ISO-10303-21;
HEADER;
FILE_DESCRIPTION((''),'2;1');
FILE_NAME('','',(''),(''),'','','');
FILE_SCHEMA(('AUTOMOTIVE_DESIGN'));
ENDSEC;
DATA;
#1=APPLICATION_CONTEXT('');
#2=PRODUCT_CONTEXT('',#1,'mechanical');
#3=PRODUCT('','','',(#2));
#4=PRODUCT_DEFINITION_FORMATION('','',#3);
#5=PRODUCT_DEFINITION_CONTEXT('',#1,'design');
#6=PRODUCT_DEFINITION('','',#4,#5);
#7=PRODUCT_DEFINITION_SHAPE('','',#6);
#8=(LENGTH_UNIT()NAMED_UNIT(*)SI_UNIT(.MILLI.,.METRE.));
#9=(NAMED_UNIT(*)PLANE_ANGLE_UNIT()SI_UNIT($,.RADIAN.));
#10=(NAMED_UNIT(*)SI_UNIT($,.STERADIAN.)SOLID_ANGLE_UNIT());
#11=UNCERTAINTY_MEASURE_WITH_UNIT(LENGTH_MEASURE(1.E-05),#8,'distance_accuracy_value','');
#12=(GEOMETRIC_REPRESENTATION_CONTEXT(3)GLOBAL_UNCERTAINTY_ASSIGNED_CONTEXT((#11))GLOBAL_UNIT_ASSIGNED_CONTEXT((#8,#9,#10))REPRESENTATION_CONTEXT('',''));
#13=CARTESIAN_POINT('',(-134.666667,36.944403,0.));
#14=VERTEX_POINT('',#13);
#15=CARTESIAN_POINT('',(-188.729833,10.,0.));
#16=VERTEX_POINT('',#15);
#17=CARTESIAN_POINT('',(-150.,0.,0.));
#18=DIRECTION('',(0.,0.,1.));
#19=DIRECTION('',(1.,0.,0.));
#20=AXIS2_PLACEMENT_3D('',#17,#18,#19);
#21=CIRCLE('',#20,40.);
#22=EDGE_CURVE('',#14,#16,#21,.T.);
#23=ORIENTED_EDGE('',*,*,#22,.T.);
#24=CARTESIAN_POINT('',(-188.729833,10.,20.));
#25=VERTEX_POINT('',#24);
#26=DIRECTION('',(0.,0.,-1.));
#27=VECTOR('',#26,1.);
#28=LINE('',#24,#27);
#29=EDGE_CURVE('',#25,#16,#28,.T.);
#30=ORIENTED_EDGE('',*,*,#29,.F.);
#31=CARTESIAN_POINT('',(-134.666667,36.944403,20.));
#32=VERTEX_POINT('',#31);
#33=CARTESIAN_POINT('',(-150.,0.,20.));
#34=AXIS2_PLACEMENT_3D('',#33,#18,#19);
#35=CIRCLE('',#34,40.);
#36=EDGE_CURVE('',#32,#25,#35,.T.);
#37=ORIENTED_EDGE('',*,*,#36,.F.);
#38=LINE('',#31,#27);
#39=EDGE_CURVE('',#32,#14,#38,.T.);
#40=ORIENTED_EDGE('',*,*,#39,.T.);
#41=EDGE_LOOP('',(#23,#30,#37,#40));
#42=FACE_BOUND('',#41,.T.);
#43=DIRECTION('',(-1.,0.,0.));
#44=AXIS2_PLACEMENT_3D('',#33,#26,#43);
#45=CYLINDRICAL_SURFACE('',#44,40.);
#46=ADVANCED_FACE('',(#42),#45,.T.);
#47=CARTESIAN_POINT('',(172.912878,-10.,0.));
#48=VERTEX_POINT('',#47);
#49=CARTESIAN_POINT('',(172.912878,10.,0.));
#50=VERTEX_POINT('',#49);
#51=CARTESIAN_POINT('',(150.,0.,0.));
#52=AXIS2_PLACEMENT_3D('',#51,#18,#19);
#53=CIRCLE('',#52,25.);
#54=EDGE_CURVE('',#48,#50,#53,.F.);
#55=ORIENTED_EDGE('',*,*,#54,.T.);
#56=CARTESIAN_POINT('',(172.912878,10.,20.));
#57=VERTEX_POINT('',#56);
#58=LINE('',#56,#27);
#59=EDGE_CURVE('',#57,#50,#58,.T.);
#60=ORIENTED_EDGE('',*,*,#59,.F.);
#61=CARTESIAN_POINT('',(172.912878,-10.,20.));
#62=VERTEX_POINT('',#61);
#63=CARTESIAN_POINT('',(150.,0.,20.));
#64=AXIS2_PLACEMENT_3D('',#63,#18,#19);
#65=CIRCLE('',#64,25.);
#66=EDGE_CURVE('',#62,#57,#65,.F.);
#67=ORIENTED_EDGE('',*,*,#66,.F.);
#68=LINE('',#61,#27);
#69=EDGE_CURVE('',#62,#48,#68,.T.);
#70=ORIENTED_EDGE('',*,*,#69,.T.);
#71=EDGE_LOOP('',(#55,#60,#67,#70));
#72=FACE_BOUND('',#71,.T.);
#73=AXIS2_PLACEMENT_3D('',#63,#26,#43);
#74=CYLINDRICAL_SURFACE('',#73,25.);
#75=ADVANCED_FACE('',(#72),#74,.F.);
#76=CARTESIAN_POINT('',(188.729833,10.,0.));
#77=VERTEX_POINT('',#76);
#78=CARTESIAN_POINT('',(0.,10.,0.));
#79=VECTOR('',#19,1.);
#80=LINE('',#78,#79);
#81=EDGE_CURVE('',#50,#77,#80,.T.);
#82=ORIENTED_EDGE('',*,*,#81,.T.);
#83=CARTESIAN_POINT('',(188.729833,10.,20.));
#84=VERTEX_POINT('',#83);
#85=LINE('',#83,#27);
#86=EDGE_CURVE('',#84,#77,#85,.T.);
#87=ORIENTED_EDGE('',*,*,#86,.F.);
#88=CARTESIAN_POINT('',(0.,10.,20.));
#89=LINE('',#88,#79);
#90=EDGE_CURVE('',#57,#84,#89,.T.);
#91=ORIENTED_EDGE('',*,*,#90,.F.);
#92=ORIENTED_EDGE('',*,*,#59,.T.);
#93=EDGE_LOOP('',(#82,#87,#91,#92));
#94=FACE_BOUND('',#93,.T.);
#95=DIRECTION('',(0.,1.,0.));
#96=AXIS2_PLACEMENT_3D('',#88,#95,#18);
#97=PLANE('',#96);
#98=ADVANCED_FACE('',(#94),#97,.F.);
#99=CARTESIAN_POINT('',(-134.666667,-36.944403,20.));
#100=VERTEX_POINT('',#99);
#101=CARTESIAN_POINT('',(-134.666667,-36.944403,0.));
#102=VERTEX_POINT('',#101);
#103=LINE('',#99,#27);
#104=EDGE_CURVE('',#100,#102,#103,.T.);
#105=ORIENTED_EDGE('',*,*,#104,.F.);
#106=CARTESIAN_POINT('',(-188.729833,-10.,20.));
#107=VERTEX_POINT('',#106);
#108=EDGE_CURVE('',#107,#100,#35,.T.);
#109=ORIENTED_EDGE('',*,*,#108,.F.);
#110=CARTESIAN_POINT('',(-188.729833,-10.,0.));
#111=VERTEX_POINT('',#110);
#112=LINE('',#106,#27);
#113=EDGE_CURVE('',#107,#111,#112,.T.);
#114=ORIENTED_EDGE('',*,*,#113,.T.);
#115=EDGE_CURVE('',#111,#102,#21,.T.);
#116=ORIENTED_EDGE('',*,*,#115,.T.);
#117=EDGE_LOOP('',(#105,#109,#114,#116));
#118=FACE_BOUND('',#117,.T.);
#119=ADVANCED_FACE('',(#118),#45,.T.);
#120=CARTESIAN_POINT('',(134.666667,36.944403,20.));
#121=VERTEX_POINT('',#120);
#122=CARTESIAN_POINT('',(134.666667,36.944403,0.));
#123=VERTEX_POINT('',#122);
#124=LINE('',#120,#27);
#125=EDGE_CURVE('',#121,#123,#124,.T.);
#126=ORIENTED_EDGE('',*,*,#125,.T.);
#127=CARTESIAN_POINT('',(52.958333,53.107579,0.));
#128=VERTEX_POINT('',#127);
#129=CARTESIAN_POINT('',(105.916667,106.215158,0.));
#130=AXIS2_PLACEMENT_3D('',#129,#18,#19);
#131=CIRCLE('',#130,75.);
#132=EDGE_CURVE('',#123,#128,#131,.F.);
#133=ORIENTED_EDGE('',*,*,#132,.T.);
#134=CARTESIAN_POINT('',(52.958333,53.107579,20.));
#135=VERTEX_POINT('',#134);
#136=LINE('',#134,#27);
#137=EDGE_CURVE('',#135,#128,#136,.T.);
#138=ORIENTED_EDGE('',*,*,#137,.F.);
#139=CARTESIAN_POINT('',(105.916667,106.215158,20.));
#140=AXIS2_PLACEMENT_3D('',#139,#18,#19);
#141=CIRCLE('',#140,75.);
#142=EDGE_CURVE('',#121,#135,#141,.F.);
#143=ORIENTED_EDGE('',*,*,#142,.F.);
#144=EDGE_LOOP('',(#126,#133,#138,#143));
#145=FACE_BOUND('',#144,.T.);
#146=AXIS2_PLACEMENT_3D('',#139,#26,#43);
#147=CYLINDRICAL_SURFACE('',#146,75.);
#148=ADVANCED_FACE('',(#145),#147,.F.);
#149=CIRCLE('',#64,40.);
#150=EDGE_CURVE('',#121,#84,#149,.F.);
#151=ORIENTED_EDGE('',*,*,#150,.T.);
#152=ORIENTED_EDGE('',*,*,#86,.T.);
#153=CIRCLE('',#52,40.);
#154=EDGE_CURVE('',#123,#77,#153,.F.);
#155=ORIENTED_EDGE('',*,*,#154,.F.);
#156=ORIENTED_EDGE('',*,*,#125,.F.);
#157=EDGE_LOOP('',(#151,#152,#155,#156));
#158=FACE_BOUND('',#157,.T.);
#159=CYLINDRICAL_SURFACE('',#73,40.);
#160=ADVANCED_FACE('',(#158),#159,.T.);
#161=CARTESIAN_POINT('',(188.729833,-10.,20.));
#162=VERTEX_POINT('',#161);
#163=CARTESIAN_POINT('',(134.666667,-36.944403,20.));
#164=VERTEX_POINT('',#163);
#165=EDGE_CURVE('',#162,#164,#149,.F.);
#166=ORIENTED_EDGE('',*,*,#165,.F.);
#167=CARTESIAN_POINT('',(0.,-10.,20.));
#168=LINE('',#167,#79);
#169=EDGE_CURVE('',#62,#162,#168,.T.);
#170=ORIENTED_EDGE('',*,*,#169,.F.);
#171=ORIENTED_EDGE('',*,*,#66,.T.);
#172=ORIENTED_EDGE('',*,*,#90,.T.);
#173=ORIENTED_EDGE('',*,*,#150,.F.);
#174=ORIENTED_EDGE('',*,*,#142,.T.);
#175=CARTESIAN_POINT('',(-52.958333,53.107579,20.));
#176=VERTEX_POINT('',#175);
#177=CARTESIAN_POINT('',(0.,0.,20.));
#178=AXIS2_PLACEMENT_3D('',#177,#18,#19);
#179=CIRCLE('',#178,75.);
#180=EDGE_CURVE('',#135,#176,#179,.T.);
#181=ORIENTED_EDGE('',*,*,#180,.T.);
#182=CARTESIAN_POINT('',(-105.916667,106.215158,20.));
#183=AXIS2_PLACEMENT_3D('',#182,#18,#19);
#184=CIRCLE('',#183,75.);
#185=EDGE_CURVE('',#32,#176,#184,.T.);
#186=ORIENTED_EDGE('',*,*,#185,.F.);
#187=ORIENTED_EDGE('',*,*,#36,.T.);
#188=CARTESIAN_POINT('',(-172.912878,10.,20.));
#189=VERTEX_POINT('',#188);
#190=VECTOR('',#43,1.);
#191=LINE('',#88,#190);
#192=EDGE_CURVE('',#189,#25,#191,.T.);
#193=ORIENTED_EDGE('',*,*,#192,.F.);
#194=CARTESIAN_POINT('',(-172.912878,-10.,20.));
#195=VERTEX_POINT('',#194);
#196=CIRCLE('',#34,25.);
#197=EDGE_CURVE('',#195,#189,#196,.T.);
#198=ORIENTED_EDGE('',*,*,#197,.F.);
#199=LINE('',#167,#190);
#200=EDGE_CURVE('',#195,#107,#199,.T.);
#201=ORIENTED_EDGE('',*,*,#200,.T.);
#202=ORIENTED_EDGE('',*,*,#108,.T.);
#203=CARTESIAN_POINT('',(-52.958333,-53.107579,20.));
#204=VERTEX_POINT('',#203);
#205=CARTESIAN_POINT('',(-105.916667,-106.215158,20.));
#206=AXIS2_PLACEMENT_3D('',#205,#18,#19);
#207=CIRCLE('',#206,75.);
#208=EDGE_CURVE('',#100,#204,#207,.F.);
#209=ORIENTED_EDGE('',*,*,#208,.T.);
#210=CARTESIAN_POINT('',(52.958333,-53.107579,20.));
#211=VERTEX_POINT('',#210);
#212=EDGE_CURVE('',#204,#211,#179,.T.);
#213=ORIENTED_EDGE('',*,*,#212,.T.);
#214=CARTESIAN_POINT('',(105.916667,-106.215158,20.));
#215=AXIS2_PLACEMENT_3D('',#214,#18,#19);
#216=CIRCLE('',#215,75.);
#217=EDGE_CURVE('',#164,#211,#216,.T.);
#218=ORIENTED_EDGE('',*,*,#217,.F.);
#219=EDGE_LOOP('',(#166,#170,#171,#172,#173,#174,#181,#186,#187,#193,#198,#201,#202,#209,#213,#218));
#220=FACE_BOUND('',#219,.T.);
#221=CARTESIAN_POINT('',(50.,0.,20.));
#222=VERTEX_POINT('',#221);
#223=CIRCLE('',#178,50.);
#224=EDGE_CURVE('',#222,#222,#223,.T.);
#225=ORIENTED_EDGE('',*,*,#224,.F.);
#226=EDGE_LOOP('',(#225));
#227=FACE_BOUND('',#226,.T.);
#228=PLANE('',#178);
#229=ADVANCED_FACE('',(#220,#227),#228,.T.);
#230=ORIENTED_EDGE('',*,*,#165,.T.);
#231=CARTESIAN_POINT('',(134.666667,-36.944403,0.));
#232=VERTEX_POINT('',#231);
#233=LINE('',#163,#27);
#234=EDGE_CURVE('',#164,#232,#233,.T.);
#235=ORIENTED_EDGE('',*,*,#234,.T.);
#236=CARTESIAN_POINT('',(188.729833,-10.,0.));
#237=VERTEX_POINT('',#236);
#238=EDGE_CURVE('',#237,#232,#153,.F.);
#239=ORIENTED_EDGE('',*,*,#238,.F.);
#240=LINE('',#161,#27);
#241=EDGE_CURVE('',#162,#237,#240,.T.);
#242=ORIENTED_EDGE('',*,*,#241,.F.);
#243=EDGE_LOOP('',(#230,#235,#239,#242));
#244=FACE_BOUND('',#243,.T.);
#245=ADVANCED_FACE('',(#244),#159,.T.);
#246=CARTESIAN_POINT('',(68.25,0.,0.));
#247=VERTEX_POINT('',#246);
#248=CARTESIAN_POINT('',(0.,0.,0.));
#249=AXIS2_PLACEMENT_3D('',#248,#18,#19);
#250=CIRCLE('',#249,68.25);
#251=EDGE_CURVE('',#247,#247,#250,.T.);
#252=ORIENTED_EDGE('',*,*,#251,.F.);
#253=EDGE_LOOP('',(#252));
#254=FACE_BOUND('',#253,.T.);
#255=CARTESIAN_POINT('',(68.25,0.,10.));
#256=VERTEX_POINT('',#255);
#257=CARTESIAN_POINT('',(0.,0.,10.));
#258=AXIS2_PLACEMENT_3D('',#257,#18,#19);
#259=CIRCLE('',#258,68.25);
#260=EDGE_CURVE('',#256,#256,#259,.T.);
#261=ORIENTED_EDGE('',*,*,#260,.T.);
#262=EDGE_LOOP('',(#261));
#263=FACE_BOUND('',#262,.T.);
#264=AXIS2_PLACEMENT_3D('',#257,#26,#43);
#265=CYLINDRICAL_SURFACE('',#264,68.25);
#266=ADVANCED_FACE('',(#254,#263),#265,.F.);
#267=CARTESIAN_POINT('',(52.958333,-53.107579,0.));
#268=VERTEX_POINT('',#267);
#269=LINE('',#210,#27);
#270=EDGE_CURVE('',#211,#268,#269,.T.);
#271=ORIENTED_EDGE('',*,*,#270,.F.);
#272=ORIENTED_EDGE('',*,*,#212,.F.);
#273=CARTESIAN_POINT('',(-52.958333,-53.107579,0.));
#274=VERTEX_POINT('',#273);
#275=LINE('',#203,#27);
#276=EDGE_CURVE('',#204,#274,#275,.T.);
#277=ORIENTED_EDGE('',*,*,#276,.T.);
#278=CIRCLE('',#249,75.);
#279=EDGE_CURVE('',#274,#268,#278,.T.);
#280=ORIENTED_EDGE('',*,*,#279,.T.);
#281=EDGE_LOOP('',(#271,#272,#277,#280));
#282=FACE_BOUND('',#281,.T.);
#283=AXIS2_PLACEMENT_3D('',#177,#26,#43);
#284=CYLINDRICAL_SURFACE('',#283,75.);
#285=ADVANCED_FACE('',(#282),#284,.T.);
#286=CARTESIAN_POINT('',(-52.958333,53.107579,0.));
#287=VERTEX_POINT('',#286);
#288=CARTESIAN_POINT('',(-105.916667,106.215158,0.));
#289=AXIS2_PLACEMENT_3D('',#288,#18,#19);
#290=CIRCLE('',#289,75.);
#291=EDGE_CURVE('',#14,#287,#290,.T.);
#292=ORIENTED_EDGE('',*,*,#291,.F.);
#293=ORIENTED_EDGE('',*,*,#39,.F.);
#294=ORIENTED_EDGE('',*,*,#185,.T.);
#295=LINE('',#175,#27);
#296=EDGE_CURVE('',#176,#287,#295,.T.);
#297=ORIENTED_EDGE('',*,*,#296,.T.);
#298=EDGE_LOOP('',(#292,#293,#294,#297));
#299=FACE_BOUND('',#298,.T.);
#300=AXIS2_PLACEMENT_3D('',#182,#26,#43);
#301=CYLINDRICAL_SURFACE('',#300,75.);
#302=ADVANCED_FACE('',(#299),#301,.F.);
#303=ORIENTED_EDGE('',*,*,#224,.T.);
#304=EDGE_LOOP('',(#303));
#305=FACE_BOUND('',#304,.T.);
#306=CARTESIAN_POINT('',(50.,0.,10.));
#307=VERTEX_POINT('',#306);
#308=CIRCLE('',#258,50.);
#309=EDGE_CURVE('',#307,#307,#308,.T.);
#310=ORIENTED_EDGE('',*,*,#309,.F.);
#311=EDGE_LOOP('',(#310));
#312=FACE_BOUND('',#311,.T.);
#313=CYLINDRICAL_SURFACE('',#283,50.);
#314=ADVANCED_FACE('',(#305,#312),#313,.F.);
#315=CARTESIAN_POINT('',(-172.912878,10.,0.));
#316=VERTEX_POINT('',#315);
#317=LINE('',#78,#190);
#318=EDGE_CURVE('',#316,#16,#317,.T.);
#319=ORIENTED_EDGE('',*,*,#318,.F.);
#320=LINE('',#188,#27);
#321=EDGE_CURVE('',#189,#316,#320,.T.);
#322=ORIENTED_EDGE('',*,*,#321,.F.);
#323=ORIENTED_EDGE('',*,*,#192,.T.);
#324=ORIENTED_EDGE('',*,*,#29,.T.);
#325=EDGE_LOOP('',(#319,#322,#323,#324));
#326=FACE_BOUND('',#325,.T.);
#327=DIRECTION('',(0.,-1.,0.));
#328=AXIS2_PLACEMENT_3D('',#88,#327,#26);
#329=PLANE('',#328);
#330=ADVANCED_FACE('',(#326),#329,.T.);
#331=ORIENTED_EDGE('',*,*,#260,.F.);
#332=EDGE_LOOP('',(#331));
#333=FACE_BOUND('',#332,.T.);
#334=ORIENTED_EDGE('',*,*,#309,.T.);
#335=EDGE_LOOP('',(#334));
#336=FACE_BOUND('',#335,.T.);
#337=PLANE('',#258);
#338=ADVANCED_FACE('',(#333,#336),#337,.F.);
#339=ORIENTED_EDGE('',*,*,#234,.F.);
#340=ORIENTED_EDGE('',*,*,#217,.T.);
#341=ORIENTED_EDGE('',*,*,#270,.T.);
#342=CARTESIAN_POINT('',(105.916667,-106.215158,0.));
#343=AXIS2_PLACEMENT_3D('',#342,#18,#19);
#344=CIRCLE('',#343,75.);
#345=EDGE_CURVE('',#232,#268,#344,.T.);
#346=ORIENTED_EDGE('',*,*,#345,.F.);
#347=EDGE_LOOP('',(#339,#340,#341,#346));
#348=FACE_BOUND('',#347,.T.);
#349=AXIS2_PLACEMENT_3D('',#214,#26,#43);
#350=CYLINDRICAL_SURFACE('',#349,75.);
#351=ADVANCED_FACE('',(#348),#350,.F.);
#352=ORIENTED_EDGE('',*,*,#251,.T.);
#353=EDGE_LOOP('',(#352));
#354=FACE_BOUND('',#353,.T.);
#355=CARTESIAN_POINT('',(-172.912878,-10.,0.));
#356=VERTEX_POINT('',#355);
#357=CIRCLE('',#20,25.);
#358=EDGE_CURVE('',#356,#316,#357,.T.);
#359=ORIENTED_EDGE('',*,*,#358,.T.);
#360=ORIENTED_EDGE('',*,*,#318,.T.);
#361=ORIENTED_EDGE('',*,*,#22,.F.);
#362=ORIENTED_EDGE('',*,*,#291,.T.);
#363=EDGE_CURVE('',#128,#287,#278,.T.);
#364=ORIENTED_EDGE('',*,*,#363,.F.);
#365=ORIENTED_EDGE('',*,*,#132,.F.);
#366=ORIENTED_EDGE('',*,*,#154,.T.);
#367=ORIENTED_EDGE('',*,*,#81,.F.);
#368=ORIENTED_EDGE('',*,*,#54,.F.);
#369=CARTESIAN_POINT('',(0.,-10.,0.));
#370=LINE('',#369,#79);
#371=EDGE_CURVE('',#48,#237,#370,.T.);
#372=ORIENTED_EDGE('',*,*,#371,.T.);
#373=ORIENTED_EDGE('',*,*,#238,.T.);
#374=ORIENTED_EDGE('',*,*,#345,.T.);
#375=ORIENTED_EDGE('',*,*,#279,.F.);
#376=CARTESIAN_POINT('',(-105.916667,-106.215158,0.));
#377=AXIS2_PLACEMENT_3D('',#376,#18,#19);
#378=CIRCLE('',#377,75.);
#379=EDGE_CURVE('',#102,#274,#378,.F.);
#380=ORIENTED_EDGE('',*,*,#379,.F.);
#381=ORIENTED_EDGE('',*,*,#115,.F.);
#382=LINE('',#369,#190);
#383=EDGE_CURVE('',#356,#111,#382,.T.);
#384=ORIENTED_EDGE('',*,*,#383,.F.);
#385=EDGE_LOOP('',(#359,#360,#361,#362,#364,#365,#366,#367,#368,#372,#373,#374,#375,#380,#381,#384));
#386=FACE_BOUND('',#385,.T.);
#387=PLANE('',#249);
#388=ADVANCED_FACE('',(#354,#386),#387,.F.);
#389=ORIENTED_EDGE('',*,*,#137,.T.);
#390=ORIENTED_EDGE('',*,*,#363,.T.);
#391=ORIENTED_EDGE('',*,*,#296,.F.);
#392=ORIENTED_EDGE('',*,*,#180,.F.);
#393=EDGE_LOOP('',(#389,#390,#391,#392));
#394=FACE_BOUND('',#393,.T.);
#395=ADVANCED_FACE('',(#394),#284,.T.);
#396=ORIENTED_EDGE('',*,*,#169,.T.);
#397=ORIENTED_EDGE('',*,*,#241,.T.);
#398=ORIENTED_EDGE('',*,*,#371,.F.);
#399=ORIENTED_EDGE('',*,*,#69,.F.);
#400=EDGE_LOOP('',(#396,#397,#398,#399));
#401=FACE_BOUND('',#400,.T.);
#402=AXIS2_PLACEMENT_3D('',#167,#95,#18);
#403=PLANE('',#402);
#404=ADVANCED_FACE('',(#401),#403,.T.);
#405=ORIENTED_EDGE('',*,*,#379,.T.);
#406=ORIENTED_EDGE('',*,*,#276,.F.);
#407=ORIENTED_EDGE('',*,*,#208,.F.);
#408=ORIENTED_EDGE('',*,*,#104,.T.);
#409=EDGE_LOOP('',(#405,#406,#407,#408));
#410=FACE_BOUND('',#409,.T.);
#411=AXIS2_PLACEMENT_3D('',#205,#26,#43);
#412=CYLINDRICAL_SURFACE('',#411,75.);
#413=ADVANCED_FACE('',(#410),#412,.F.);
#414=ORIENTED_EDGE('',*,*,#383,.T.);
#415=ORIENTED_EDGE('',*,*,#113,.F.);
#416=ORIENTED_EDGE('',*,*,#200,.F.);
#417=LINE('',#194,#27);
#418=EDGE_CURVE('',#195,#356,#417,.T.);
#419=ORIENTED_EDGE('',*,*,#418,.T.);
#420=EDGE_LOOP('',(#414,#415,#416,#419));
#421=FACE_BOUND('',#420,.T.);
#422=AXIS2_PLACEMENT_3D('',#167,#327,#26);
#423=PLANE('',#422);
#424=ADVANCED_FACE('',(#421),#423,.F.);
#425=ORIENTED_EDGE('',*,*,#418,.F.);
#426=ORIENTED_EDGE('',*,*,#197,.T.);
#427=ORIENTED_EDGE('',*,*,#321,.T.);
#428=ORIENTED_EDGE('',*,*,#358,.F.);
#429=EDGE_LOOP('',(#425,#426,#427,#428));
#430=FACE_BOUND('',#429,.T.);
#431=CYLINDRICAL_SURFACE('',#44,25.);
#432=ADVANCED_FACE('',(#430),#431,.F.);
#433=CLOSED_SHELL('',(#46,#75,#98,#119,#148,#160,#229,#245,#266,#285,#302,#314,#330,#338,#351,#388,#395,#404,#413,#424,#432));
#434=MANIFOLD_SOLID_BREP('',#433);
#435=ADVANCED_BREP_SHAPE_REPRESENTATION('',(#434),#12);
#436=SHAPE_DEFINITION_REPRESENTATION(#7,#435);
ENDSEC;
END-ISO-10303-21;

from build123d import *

# Parameters (mm, degrees)
ESQUISSE1_R             = 50
BOSS_EXTRU_3_DEPTH      = 20
ESQUISSE2_R             = 68.25
ENL_V_MAT_EXTRU_9_DEPTH = 10


with BuildPart() as part:
    # Esquisse1 → Boss.-Extru.3 (new body)
    with BuildSketch(Plane.XY):
        with BuildLine():
            ThreePointArc((52.958333333, 53.107578843), (28.652500648, 69.311140566), (0, 75))
            ThreePointArc((0, 75), (-28.652500648, 69.311140566), (-52.958333333, 53.107578843))
            ThreePointArc((-52.958333333, 53.107578843), (-91.362529225, 32.640861336), (-134.666666667, 36.944402673))
            ThreePointArc((-134.666666667, 36.944402673), (-167.842344673, 35.800149952), (-188.729833462, 10))
            Line((-188.729833462, 10), (-172.912878475, 10))
            ThreePointArc((-172.912878475, 10), (-125, 0), (-172.912878475, -10))
            Line((-172.912878475, -10), (-188.729833462, -10))
            ThreePointArc((-188.729833462, -10), (-167.842344673, -35.800149952), (-134.666666667, -36.944402673))
            ThreePointArc((-134.666666667, -36.944402673), (-91.362529225, -32.640861336), (-52.958333333, -53.107578843))
            ThreePointArc((-52.958333333, -53.107578843), (0, -75), (52.958333333, -53.107578843))
            ThreePointArc((52.958333333, -53.107578843), (91.362529225, -32.640861336), (134.666666667, -36.944402673))
            ThreePointArc((134.666666667, -36.944402673), (167.842344673, -35.800149952), (188.729833462, -10))
            Line((188.729833462, -10), (172.912878475, -10))
            ThreePointArc((172.912878475, -10), (125, 0), (172.912878475, 10))
            Line((172.912878475, 10), (188.729833462, 10))
            ThreePointArc((188.729833462, 10), (167.842344673, 35.800149952), (134.666666667, 36.944402673))
            ThreePointArc((134.666666667, 36.944402673), (91.362529225, 32.640861336), (52.958333333, 53.107578843))
        make_face()
        Circle(ESQUISSE1_R, mode=Mode.SUBTRACT)
    extrude(amount=BOSS_EXTRU_3_DEPTH)

    # Esquisse2 → Enlèv. mat.-Extru.9 (cut)
    with BuildSketch(Plane.XY):
        Circle(ESQUISSE2_R)
    extrude(amount=ENL_V_MAT_EXTRU_9_DEPTH, mode=Mode.SUBTRACT)


solid = part.part
